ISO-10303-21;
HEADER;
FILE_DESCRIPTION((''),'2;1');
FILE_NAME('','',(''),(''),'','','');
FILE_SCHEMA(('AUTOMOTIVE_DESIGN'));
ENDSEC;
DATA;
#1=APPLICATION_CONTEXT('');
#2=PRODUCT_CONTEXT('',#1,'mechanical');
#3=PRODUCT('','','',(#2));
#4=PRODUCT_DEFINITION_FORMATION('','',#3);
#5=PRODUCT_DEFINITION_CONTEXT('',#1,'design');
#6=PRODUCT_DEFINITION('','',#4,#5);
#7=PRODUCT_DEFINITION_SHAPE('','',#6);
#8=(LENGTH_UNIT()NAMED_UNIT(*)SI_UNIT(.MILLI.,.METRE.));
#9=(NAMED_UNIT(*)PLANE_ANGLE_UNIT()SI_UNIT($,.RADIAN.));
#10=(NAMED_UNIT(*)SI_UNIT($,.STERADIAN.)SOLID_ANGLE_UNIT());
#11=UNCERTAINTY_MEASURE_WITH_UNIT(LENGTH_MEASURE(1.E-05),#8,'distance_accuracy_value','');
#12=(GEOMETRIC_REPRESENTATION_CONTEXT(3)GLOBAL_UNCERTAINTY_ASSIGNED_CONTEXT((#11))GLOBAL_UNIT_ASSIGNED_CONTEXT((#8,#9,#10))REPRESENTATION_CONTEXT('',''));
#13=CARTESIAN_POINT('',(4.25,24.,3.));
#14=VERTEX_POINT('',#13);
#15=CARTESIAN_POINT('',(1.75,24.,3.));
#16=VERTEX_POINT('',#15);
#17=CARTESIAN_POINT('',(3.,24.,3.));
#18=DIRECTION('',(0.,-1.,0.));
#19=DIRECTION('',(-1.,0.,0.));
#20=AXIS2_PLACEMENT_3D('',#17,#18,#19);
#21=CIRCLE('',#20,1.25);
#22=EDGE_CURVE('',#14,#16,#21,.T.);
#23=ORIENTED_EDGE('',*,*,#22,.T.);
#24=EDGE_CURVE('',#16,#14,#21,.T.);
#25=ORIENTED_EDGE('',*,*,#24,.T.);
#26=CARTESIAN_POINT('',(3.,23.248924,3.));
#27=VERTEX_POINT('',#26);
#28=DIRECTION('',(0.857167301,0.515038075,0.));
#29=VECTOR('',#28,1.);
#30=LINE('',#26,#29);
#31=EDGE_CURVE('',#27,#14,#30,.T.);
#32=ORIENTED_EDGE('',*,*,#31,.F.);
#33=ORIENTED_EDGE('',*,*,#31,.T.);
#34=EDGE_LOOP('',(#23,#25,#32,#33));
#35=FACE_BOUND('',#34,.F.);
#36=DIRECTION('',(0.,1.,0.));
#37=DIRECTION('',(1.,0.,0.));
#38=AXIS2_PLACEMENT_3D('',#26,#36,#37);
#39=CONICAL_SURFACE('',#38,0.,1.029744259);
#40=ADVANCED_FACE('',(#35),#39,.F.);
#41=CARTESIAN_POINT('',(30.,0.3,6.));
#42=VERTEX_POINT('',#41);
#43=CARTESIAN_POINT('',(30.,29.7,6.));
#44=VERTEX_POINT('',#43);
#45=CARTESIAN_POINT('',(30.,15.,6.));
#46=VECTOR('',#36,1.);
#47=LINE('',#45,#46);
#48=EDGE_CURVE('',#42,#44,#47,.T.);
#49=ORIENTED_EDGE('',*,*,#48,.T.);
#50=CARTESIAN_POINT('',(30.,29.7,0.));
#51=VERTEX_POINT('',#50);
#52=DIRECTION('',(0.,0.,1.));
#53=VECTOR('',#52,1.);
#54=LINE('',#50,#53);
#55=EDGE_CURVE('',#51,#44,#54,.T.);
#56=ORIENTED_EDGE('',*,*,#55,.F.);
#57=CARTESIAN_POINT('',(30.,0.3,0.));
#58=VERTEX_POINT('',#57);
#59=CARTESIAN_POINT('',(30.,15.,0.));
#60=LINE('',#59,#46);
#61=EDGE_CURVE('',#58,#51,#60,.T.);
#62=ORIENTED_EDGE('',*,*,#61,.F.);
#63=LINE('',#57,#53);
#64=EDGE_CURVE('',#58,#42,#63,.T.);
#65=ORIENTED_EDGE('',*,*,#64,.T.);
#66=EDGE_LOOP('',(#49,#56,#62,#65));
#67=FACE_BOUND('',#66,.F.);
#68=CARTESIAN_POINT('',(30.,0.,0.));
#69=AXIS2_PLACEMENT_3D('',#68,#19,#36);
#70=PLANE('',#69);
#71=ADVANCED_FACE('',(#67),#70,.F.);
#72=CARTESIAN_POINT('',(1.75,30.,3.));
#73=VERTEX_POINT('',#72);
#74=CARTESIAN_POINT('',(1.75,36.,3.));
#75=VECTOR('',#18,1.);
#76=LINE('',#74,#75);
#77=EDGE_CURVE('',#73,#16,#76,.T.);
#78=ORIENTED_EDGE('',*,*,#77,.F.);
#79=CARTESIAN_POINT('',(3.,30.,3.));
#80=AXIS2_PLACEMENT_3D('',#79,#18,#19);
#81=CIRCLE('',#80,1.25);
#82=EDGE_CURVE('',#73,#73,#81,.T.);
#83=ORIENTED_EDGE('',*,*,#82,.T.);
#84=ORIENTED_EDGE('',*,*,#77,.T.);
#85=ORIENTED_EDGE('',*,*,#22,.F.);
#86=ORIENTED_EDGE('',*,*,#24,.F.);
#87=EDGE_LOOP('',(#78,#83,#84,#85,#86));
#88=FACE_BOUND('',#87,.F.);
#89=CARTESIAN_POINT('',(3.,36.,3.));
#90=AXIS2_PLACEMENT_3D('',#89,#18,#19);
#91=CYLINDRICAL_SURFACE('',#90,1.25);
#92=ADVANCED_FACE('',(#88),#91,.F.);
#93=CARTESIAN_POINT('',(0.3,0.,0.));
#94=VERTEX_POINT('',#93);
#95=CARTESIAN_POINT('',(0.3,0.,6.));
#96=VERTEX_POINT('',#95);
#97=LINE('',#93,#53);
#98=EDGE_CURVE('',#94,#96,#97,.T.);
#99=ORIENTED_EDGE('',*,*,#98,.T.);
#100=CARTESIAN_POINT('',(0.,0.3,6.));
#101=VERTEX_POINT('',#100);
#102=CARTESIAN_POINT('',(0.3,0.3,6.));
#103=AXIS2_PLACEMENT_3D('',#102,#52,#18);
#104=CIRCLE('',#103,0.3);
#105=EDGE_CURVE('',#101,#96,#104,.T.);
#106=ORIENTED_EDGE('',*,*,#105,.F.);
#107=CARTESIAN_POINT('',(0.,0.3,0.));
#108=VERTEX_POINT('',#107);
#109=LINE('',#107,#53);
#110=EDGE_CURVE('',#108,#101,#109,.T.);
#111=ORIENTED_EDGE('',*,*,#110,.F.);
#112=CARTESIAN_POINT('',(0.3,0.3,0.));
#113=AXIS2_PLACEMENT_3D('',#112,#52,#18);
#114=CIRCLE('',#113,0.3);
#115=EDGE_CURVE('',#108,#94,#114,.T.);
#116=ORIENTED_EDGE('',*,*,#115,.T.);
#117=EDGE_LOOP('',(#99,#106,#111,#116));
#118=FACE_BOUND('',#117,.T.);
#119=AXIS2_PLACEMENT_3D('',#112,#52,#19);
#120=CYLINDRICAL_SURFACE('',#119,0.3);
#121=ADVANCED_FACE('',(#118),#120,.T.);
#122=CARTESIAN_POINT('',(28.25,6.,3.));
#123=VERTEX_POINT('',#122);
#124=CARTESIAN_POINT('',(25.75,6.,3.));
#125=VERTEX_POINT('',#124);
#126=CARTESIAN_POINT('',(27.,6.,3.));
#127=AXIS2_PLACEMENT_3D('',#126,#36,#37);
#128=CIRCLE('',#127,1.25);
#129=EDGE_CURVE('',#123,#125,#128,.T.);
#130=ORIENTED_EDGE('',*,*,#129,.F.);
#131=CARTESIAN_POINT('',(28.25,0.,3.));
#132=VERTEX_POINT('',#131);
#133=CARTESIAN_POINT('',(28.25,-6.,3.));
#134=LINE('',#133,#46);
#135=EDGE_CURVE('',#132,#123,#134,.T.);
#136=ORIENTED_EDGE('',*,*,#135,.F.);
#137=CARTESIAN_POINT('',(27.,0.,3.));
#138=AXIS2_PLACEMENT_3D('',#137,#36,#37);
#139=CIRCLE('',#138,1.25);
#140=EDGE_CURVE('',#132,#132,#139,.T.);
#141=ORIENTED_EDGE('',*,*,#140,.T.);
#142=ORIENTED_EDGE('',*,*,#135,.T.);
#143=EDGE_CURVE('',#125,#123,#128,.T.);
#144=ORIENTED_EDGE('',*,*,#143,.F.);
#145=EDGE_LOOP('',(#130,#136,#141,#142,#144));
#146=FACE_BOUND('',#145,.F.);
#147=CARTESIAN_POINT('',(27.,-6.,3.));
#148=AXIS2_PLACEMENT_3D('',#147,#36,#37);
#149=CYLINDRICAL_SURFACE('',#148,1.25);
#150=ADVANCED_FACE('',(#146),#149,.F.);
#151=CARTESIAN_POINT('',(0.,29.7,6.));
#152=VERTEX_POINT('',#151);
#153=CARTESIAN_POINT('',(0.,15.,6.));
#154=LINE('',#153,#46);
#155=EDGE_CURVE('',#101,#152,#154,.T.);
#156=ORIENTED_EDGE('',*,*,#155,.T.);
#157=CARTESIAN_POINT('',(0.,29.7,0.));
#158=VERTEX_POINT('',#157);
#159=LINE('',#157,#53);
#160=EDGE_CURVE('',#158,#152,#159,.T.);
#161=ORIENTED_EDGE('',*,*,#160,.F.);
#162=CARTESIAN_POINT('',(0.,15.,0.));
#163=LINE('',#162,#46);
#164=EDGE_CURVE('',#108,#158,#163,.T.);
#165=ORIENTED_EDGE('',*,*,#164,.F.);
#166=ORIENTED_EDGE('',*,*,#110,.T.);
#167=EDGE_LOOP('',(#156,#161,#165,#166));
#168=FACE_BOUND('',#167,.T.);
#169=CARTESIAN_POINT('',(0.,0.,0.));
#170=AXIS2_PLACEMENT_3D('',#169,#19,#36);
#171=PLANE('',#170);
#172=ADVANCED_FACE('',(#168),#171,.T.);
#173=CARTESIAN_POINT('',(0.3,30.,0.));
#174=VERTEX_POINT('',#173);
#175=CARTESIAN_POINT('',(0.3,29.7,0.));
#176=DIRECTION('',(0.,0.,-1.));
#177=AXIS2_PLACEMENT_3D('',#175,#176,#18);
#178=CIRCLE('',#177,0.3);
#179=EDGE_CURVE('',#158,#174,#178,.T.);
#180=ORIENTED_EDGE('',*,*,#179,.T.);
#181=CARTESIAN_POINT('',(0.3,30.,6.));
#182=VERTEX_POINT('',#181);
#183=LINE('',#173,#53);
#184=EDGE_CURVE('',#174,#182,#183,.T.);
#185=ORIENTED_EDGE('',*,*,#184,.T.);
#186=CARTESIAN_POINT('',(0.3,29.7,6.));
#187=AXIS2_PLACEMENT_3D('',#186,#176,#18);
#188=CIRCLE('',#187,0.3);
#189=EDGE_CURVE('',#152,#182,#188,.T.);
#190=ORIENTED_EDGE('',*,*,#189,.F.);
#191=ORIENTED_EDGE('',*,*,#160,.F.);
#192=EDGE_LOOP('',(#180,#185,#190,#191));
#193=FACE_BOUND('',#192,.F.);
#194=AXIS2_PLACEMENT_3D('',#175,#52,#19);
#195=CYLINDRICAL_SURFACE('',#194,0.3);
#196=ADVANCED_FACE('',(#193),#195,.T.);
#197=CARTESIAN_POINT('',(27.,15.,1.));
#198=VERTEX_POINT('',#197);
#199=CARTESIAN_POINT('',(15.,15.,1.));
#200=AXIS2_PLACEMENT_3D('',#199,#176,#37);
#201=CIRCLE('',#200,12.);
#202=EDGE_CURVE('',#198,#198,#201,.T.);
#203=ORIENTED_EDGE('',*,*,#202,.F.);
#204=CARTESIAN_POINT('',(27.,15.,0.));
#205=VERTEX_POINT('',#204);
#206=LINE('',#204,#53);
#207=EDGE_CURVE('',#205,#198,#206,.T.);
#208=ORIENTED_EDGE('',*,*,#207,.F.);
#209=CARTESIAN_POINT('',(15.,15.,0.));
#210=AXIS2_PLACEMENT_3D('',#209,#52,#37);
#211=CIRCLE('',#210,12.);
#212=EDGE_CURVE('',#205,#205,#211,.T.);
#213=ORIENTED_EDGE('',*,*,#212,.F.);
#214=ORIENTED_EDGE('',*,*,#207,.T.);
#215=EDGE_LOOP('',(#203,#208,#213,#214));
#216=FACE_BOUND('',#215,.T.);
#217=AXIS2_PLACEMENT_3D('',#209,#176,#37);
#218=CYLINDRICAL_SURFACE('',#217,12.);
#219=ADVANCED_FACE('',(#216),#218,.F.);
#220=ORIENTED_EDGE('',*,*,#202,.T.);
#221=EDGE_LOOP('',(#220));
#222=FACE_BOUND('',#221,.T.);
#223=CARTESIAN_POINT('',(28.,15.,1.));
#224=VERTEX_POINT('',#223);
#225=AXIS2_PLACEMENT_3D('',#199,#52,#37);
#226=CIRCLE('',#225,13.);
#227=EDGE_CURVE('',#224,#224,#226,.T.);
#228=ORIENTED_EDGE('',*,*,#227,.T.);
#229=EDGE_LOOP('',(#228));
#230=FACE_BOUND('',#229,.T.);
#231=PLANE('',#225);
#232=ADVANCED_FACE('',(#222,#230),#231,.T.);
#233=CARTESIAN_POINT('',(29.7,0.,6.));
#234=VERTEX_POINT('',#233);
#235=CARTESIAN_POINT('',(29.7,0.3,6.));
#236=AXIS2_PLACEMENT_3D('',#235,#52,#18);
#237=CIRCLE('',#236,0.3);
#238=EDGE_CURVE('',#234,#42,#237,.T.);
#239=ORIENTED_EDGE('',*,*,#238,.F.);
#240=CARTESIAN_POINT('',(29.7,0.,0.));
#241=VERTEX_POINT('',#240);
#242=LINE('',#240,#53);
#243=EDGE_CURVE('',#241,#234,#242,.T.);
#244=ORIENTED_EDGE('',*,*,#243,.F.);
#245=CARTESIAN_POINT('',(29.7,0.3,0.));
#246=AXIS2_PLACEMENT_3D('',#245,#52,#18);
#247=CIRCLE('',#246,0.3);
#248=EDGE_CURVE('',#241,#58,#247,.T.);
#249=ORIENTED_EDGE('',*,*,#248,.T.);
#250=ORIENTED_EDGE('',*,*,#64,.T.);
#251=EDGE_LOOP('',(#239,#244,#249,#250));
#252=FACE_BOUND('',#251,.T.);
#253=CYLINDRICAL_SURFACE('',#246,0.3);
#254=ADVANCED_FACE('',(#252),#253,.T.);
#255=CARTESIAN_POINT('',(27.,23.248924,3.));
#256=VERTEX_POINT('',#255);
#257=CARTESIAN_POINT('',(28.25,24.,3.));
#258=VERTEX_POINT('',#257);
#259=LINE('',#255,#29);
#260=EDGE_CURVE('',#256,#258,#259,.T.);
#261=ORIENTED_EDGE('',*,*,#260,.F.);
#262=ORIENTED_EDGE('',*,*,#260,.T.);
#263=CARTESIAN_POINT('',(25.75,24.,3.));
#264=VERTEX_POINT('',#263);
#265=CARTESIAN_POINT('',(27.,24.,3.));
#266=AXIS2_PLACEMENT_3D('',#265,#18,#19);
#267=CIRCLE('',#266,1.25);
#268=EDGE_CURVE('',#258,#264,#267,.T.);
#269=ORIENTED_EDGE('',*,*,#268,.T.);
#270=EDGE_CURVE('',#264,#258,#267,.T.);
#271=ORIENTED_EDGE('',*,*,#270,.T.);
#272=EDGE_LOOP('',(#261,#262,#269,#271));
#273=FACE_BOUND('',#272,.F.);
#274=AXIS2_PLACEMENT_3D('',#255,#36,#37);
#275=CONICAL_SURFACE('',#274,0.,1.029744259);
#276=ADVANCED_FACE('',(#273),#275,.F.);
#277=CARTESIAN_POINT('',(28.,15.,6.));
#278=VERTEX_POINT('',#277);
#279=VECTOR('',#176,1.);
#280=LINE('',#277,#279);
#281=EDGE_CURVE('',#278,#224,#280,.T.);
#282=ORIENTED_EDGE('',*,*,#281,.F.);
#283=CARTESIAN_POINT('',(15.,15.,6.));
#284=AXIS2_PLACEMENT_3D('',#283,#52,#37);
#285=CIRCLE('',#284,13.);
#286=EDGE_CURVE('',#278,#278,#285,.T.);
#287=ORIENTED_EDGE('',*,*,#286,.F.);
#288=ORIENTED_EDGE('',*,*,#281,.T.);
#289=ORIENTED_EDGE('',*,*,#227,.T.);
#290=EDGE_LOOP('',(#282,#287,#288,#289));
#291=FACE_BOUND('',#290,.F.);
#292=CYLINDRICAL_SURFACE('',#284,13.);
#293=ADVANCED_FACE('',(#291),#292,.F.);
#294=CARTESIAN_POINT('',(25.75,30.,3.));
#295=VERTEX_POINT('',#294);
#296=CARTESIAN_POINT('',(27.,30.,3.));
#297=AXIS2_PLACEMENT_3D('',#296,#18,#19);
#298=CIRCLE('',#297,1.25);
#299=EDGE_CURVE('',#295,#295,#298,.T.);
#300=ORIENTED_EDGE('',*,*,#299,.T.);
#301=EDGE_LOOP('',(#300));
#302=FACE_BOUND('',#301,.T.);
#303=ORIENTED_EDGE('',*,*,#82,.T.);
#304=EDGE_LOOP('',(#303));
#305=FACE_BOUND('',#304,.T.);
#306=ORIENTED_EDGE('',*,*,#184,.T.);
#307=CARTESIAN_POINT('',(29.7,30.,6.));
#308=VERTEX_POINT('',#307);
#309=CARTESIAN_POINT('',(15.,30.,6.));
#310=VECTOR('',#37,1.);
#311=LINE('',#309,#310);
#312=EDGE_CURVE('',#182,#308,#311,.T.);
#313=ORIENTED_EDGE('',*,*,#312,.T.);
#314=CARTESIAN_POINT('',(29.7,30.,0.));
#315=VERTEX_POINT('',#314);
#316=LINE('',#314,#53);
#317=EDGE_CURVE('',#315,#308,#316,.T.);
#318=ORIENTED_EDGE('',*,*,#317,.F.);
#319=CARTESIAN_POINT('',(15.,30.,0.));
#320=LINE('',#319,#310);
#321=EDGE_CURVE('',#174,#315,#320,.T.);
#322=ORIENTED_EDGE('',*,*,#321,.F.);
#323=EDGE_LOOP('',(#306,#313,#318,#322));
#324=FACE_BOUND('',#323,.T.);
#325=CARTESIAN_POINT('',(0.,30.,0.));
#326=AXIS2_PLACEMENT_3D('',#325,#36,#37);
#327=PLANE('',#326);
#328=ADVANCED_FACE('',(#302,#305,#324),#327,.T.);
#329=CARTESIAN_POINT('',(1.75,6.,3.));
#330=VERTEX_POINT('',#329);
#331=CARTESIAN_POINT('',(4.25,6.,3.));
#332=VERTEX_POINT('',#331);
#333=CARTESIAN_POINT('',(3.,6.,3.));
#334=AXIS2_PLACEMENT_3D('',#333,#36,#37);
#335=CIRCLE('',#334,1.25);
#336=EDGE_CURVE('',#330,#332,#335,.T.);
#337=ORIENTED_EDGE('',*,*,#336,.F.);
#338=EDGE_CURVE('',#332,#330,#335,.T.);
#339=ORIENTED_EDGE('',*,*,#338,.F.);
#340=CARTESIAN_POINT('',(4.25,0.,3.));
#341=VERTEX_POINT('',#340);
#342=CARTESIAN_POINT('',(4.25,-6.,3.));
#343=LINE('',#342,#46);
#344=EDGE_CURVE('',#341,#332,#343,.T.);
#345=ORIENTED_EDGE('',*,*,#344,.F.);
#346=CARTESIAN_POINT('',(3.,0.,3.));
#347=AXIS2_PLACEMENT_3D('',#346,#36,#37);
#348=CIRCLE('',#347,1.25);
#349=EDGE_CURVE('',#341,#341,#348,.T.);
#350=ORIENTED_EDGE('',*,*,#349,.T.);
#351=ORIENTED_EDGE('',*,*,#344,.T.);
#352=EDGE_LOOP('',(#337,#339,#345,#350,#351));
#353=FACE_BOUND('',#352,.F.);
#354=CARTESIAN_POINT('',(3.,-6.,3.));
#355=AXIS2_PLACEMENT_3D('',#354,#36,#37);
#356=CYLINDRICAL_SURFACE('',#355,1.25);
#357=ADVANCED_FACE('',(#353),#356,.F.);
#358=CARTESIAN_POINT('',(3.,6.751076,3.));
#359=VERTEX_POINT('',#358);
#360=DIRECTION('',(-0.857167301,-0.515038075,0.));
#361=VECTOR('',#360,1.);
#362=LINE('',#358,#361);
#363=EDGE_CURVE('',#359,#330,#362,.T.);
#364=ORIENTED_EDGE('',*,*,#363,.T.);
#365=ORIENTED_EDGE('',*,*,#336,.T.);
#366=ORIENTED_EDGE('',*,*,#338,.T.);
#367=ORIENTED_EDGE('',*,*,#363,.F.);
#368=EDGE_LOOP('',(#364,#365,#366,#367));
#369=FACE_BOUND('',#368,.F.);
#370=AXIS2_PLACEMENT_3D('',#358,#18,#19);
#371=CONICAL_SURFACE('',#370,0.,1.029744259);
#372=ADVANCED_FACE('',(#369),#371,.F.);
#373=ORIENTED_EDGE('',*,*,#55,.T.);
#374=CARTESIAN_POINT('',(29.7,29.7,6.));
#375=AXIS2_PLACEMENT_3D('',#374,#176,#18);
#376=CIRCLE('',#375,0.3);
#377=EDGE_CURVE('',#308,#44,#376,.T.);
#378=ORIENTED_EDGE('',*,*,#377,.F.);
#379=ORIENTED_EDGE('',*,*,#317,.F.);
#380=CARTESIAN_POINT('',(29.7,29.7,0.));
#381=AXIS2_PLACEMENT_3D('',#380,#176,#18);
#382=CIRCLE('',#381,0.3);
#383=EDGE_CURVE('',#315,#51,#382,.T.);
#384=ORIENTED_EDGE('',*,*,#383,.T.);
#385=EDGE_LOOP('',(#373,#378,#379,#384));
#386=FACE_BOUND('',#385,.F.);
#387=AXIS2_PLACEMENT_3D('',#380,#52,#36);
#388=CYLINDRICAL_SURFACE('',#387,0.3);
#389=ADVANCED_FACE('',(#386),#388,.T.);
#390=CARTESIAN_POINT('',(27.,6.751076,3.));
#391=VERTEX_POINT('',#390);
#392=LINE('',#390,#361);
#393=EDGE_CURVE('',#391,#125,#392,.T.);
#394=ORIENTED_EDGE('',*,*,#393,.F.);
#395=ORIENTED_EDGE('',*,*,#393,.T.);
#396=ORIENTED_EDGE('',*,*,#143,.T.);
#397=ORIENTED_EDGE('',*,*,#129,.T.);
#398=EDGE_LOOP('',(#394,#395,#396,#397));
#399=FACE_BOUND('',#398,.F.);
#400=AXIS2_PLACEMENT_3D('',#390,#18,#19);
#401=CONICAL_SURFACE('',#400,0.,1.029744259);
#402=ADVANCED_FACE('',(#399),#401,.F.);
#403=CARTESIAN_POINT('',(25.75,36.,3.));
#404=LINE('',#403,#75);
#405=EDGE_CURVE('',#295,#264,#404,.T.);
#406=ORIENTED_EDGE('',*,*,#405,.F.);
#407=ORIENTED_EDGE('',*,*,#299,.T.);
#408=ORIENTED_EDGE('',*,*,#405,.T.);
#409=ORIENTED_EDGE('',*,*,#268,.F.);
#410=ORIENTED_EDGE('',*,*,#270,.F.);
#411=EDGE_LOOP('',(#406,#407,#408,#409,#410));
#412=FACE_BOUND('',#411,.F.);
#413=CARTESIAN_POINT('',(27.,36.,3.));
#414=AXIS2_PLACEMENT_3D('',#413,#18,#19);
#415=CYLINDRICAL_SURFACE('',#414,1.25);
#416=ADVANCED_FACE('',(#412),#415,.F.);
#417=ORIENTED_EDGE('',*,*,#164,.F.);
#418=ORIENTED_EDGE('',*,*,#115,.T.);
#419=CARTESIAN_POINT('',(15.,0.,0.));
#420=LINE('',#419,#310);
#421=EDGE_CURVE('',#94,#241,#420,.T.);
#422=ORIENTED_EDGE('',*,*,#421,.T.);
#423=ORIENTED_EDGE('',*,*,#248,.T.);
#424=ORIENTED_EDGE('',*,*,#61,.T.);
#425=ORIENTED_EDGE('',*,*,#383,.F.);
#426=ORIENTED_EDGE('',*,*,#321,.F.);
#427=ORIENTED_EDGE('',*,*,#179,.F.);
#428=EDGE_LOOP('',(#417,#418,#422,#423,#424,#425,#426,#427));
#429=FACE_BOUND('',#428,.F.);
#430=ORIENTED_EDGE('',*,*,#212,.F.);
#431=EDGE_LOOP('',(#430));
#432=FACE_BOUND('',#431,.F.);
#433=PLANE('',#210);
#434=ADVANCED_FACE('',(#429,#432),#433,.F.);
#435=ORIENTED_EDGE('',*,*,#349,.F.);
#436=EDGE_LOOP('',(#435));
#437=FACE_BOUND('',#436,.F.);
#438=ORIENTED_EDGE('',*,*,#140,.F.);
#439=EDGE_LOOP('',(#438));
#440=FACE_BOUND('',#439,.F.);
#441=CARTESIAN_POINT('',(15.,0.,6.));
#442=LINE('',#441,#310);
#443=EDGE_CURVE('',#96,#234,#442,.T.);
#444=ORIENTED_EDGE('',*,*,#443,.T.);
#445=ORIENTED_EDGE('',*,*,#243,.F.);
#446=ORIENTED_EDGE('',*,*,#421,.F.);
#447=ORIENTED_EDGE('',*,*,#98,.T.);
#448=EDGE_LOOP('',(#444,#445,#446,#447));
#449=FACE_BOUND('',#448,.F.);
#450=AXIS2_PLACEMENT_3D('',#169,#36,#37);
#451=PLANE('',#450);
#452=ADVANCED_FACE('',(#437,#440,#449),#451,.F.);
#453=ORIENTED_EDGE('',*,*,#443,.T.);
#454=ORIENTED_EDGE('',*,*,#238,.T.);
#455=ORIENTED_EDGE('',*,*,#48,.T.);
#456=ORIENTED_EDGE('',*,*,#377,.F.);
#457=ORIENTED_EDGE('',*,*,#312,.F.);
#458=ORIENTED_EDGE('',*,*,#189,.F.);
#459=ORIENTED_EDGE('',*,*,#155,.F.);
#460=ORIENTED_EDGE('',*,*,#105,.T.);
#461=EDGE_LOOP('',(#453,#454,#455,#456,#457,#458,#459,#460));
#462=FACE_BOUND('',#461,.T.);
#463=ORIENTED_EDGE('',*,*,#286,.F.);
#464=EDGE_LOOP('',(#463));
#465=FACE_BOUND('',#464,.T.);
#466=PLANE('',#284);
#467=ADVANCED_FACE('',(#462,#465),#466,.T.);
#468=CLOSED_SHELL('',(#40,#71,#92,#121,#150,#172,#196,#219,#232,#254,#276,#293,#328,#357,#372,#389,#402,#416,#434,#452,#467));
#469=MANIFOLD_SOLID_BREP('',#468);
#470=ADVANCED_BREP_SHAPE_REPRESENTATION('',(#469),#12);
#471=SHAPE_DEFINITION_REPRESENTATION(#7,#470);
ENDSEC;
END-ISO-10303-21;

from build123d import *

# Parameters (mm, degrees)
ESQUISSE1_W                                   = 30
ESQUISSE1_H                                   = 30
ESQUISSE1_R                                   = 12
BOSS_EXTRU_1_DEPTH                            = 6
ESQUISSE2_R                                   = 13
ENL_V_MAT_EXTRU_1_DEPTH                       = 5
TROU_POUR_TARAUDAGE_POUR_TROU_TARAUD_M3_D     = 2.5
TROU_POUR_TARAUDAGE_POUR_TROU_TARAUD_M3_DEPTH = 6
TROU_POUR_TARAUDAGE_POUR_TROU_TARAUD_M3_TIP   = 0.751075774
TROU_POUR_TARAUDAGE_POUR_TROU_TARAUD_2_D      = 2.5
TROU_POUR_TARAUDAGE_POUR_TROU_TARAUD_2_DEPTH  = 6
TROU_POUR_TARAUDAGE_POUR_TROU_TARAUD_2_TIP    = 0.751075774
CONG_1_R                                      = 0.3


with BuildPart() as part:
    # Esquisse1 → Boss.-Extru.1 (new body)
    with BuildSketch(Plane.XY):
        with Locations((15, 15)):
            Rectangle(ESQUISSE1_W, ESQUISSE1_H)
        with Locations((15, 15)):
            Circle(ESQUISSE1_R, mode=Mode.SUBTRACT)
    extrude(amount=BOSS_EXTRU_1_DEPTH)

    # Esquisse2 → Enlèv. mat.-Extru.1 (cut)
    with BuildSketch(Plane.XY.offset(6)):
        with Locations((15, 15)):
            Circle(ESQUISSE2_R)
    extrude(amount=-ENL_V_MAT_EXTRU_1_DEPTH, mode=Mode.SUBTRACT)

    # Trou pour taraudage pour trou taraud_ M3
    with Locations(Plane(origin=(0, 30, 0), x_dir=(1, 0, 0), z_dir=(0, 1, 0))):
        with Locations((3, -3), (27, -3)):
            Hole(TROU_POUR_TARAUDAGE_POUR_TROU_TARAUD_M3_D / 2, depth=TROU_POUR_TARAUDAGE_POUR_TROU_TARAUD_M3_DEPTH)
            with Locations((0, 0, -(TROU_POUR_TARAUDAGE_POUR_TROU_TARAUD_M3_DEPTH + TROU_POUR_TARAUDAGE_POUR_TROU_TARAUD_M3_TIP / 2))):  # 118° drill point
                Cone(0, TROU_POUR_TARAUDAGE_POUR_TROU_TARAUD_M3_D / 2, TROU_POUR_TARAUDAGE_POUR_TROU_TARAUD_M3_TIP, mode=Mode.SUBTRACT)

    # Trou pour taraudage pour trou taraud 2
    with Locations(Plane(origin=(0, 0, 0), x_dir=(-1, 0, 0), z_dir=(0, -1, 0))):
        with Locations((-3, -3), (-27, -3)):
            Hole(TROU_POUR_TARAUDAGE_POUR_TROU_TARAUD_2_D / 2, depth=TROU_POUR_TARAUDAGE_POUR_TROU_TARAUD_2_DEPTH)
            with Locations((0, 0, -(TROU_POUR_TARAUDAGE_POUR_TROU_TARAUD_2_DEPTH + TROU_POUR_TARAUDAGE_POUR_TROU_TARAUD_2_TIP / 2))):  # 118° drill point
                Cone(0, TROU_POUR_TARAUDAGE_POUR_TROU_TARAUD_2_D / 2, TROU_POUR_TARAUDAGE_POUR_TROU_TARAUD_2_TIP, mode=Mode.SUBTRACT)

    # Congé1
    cong_1_edges = [part.edges().sort_by_distance(p)[0] for p in [
        (0, 30, 3),
        (30, 30, 3),
        (30, 0, 3),
        (0, 0, 3),
    ]]
    fillet(cong_1_edges, radius=CONG_1_R)


solid = part.part
